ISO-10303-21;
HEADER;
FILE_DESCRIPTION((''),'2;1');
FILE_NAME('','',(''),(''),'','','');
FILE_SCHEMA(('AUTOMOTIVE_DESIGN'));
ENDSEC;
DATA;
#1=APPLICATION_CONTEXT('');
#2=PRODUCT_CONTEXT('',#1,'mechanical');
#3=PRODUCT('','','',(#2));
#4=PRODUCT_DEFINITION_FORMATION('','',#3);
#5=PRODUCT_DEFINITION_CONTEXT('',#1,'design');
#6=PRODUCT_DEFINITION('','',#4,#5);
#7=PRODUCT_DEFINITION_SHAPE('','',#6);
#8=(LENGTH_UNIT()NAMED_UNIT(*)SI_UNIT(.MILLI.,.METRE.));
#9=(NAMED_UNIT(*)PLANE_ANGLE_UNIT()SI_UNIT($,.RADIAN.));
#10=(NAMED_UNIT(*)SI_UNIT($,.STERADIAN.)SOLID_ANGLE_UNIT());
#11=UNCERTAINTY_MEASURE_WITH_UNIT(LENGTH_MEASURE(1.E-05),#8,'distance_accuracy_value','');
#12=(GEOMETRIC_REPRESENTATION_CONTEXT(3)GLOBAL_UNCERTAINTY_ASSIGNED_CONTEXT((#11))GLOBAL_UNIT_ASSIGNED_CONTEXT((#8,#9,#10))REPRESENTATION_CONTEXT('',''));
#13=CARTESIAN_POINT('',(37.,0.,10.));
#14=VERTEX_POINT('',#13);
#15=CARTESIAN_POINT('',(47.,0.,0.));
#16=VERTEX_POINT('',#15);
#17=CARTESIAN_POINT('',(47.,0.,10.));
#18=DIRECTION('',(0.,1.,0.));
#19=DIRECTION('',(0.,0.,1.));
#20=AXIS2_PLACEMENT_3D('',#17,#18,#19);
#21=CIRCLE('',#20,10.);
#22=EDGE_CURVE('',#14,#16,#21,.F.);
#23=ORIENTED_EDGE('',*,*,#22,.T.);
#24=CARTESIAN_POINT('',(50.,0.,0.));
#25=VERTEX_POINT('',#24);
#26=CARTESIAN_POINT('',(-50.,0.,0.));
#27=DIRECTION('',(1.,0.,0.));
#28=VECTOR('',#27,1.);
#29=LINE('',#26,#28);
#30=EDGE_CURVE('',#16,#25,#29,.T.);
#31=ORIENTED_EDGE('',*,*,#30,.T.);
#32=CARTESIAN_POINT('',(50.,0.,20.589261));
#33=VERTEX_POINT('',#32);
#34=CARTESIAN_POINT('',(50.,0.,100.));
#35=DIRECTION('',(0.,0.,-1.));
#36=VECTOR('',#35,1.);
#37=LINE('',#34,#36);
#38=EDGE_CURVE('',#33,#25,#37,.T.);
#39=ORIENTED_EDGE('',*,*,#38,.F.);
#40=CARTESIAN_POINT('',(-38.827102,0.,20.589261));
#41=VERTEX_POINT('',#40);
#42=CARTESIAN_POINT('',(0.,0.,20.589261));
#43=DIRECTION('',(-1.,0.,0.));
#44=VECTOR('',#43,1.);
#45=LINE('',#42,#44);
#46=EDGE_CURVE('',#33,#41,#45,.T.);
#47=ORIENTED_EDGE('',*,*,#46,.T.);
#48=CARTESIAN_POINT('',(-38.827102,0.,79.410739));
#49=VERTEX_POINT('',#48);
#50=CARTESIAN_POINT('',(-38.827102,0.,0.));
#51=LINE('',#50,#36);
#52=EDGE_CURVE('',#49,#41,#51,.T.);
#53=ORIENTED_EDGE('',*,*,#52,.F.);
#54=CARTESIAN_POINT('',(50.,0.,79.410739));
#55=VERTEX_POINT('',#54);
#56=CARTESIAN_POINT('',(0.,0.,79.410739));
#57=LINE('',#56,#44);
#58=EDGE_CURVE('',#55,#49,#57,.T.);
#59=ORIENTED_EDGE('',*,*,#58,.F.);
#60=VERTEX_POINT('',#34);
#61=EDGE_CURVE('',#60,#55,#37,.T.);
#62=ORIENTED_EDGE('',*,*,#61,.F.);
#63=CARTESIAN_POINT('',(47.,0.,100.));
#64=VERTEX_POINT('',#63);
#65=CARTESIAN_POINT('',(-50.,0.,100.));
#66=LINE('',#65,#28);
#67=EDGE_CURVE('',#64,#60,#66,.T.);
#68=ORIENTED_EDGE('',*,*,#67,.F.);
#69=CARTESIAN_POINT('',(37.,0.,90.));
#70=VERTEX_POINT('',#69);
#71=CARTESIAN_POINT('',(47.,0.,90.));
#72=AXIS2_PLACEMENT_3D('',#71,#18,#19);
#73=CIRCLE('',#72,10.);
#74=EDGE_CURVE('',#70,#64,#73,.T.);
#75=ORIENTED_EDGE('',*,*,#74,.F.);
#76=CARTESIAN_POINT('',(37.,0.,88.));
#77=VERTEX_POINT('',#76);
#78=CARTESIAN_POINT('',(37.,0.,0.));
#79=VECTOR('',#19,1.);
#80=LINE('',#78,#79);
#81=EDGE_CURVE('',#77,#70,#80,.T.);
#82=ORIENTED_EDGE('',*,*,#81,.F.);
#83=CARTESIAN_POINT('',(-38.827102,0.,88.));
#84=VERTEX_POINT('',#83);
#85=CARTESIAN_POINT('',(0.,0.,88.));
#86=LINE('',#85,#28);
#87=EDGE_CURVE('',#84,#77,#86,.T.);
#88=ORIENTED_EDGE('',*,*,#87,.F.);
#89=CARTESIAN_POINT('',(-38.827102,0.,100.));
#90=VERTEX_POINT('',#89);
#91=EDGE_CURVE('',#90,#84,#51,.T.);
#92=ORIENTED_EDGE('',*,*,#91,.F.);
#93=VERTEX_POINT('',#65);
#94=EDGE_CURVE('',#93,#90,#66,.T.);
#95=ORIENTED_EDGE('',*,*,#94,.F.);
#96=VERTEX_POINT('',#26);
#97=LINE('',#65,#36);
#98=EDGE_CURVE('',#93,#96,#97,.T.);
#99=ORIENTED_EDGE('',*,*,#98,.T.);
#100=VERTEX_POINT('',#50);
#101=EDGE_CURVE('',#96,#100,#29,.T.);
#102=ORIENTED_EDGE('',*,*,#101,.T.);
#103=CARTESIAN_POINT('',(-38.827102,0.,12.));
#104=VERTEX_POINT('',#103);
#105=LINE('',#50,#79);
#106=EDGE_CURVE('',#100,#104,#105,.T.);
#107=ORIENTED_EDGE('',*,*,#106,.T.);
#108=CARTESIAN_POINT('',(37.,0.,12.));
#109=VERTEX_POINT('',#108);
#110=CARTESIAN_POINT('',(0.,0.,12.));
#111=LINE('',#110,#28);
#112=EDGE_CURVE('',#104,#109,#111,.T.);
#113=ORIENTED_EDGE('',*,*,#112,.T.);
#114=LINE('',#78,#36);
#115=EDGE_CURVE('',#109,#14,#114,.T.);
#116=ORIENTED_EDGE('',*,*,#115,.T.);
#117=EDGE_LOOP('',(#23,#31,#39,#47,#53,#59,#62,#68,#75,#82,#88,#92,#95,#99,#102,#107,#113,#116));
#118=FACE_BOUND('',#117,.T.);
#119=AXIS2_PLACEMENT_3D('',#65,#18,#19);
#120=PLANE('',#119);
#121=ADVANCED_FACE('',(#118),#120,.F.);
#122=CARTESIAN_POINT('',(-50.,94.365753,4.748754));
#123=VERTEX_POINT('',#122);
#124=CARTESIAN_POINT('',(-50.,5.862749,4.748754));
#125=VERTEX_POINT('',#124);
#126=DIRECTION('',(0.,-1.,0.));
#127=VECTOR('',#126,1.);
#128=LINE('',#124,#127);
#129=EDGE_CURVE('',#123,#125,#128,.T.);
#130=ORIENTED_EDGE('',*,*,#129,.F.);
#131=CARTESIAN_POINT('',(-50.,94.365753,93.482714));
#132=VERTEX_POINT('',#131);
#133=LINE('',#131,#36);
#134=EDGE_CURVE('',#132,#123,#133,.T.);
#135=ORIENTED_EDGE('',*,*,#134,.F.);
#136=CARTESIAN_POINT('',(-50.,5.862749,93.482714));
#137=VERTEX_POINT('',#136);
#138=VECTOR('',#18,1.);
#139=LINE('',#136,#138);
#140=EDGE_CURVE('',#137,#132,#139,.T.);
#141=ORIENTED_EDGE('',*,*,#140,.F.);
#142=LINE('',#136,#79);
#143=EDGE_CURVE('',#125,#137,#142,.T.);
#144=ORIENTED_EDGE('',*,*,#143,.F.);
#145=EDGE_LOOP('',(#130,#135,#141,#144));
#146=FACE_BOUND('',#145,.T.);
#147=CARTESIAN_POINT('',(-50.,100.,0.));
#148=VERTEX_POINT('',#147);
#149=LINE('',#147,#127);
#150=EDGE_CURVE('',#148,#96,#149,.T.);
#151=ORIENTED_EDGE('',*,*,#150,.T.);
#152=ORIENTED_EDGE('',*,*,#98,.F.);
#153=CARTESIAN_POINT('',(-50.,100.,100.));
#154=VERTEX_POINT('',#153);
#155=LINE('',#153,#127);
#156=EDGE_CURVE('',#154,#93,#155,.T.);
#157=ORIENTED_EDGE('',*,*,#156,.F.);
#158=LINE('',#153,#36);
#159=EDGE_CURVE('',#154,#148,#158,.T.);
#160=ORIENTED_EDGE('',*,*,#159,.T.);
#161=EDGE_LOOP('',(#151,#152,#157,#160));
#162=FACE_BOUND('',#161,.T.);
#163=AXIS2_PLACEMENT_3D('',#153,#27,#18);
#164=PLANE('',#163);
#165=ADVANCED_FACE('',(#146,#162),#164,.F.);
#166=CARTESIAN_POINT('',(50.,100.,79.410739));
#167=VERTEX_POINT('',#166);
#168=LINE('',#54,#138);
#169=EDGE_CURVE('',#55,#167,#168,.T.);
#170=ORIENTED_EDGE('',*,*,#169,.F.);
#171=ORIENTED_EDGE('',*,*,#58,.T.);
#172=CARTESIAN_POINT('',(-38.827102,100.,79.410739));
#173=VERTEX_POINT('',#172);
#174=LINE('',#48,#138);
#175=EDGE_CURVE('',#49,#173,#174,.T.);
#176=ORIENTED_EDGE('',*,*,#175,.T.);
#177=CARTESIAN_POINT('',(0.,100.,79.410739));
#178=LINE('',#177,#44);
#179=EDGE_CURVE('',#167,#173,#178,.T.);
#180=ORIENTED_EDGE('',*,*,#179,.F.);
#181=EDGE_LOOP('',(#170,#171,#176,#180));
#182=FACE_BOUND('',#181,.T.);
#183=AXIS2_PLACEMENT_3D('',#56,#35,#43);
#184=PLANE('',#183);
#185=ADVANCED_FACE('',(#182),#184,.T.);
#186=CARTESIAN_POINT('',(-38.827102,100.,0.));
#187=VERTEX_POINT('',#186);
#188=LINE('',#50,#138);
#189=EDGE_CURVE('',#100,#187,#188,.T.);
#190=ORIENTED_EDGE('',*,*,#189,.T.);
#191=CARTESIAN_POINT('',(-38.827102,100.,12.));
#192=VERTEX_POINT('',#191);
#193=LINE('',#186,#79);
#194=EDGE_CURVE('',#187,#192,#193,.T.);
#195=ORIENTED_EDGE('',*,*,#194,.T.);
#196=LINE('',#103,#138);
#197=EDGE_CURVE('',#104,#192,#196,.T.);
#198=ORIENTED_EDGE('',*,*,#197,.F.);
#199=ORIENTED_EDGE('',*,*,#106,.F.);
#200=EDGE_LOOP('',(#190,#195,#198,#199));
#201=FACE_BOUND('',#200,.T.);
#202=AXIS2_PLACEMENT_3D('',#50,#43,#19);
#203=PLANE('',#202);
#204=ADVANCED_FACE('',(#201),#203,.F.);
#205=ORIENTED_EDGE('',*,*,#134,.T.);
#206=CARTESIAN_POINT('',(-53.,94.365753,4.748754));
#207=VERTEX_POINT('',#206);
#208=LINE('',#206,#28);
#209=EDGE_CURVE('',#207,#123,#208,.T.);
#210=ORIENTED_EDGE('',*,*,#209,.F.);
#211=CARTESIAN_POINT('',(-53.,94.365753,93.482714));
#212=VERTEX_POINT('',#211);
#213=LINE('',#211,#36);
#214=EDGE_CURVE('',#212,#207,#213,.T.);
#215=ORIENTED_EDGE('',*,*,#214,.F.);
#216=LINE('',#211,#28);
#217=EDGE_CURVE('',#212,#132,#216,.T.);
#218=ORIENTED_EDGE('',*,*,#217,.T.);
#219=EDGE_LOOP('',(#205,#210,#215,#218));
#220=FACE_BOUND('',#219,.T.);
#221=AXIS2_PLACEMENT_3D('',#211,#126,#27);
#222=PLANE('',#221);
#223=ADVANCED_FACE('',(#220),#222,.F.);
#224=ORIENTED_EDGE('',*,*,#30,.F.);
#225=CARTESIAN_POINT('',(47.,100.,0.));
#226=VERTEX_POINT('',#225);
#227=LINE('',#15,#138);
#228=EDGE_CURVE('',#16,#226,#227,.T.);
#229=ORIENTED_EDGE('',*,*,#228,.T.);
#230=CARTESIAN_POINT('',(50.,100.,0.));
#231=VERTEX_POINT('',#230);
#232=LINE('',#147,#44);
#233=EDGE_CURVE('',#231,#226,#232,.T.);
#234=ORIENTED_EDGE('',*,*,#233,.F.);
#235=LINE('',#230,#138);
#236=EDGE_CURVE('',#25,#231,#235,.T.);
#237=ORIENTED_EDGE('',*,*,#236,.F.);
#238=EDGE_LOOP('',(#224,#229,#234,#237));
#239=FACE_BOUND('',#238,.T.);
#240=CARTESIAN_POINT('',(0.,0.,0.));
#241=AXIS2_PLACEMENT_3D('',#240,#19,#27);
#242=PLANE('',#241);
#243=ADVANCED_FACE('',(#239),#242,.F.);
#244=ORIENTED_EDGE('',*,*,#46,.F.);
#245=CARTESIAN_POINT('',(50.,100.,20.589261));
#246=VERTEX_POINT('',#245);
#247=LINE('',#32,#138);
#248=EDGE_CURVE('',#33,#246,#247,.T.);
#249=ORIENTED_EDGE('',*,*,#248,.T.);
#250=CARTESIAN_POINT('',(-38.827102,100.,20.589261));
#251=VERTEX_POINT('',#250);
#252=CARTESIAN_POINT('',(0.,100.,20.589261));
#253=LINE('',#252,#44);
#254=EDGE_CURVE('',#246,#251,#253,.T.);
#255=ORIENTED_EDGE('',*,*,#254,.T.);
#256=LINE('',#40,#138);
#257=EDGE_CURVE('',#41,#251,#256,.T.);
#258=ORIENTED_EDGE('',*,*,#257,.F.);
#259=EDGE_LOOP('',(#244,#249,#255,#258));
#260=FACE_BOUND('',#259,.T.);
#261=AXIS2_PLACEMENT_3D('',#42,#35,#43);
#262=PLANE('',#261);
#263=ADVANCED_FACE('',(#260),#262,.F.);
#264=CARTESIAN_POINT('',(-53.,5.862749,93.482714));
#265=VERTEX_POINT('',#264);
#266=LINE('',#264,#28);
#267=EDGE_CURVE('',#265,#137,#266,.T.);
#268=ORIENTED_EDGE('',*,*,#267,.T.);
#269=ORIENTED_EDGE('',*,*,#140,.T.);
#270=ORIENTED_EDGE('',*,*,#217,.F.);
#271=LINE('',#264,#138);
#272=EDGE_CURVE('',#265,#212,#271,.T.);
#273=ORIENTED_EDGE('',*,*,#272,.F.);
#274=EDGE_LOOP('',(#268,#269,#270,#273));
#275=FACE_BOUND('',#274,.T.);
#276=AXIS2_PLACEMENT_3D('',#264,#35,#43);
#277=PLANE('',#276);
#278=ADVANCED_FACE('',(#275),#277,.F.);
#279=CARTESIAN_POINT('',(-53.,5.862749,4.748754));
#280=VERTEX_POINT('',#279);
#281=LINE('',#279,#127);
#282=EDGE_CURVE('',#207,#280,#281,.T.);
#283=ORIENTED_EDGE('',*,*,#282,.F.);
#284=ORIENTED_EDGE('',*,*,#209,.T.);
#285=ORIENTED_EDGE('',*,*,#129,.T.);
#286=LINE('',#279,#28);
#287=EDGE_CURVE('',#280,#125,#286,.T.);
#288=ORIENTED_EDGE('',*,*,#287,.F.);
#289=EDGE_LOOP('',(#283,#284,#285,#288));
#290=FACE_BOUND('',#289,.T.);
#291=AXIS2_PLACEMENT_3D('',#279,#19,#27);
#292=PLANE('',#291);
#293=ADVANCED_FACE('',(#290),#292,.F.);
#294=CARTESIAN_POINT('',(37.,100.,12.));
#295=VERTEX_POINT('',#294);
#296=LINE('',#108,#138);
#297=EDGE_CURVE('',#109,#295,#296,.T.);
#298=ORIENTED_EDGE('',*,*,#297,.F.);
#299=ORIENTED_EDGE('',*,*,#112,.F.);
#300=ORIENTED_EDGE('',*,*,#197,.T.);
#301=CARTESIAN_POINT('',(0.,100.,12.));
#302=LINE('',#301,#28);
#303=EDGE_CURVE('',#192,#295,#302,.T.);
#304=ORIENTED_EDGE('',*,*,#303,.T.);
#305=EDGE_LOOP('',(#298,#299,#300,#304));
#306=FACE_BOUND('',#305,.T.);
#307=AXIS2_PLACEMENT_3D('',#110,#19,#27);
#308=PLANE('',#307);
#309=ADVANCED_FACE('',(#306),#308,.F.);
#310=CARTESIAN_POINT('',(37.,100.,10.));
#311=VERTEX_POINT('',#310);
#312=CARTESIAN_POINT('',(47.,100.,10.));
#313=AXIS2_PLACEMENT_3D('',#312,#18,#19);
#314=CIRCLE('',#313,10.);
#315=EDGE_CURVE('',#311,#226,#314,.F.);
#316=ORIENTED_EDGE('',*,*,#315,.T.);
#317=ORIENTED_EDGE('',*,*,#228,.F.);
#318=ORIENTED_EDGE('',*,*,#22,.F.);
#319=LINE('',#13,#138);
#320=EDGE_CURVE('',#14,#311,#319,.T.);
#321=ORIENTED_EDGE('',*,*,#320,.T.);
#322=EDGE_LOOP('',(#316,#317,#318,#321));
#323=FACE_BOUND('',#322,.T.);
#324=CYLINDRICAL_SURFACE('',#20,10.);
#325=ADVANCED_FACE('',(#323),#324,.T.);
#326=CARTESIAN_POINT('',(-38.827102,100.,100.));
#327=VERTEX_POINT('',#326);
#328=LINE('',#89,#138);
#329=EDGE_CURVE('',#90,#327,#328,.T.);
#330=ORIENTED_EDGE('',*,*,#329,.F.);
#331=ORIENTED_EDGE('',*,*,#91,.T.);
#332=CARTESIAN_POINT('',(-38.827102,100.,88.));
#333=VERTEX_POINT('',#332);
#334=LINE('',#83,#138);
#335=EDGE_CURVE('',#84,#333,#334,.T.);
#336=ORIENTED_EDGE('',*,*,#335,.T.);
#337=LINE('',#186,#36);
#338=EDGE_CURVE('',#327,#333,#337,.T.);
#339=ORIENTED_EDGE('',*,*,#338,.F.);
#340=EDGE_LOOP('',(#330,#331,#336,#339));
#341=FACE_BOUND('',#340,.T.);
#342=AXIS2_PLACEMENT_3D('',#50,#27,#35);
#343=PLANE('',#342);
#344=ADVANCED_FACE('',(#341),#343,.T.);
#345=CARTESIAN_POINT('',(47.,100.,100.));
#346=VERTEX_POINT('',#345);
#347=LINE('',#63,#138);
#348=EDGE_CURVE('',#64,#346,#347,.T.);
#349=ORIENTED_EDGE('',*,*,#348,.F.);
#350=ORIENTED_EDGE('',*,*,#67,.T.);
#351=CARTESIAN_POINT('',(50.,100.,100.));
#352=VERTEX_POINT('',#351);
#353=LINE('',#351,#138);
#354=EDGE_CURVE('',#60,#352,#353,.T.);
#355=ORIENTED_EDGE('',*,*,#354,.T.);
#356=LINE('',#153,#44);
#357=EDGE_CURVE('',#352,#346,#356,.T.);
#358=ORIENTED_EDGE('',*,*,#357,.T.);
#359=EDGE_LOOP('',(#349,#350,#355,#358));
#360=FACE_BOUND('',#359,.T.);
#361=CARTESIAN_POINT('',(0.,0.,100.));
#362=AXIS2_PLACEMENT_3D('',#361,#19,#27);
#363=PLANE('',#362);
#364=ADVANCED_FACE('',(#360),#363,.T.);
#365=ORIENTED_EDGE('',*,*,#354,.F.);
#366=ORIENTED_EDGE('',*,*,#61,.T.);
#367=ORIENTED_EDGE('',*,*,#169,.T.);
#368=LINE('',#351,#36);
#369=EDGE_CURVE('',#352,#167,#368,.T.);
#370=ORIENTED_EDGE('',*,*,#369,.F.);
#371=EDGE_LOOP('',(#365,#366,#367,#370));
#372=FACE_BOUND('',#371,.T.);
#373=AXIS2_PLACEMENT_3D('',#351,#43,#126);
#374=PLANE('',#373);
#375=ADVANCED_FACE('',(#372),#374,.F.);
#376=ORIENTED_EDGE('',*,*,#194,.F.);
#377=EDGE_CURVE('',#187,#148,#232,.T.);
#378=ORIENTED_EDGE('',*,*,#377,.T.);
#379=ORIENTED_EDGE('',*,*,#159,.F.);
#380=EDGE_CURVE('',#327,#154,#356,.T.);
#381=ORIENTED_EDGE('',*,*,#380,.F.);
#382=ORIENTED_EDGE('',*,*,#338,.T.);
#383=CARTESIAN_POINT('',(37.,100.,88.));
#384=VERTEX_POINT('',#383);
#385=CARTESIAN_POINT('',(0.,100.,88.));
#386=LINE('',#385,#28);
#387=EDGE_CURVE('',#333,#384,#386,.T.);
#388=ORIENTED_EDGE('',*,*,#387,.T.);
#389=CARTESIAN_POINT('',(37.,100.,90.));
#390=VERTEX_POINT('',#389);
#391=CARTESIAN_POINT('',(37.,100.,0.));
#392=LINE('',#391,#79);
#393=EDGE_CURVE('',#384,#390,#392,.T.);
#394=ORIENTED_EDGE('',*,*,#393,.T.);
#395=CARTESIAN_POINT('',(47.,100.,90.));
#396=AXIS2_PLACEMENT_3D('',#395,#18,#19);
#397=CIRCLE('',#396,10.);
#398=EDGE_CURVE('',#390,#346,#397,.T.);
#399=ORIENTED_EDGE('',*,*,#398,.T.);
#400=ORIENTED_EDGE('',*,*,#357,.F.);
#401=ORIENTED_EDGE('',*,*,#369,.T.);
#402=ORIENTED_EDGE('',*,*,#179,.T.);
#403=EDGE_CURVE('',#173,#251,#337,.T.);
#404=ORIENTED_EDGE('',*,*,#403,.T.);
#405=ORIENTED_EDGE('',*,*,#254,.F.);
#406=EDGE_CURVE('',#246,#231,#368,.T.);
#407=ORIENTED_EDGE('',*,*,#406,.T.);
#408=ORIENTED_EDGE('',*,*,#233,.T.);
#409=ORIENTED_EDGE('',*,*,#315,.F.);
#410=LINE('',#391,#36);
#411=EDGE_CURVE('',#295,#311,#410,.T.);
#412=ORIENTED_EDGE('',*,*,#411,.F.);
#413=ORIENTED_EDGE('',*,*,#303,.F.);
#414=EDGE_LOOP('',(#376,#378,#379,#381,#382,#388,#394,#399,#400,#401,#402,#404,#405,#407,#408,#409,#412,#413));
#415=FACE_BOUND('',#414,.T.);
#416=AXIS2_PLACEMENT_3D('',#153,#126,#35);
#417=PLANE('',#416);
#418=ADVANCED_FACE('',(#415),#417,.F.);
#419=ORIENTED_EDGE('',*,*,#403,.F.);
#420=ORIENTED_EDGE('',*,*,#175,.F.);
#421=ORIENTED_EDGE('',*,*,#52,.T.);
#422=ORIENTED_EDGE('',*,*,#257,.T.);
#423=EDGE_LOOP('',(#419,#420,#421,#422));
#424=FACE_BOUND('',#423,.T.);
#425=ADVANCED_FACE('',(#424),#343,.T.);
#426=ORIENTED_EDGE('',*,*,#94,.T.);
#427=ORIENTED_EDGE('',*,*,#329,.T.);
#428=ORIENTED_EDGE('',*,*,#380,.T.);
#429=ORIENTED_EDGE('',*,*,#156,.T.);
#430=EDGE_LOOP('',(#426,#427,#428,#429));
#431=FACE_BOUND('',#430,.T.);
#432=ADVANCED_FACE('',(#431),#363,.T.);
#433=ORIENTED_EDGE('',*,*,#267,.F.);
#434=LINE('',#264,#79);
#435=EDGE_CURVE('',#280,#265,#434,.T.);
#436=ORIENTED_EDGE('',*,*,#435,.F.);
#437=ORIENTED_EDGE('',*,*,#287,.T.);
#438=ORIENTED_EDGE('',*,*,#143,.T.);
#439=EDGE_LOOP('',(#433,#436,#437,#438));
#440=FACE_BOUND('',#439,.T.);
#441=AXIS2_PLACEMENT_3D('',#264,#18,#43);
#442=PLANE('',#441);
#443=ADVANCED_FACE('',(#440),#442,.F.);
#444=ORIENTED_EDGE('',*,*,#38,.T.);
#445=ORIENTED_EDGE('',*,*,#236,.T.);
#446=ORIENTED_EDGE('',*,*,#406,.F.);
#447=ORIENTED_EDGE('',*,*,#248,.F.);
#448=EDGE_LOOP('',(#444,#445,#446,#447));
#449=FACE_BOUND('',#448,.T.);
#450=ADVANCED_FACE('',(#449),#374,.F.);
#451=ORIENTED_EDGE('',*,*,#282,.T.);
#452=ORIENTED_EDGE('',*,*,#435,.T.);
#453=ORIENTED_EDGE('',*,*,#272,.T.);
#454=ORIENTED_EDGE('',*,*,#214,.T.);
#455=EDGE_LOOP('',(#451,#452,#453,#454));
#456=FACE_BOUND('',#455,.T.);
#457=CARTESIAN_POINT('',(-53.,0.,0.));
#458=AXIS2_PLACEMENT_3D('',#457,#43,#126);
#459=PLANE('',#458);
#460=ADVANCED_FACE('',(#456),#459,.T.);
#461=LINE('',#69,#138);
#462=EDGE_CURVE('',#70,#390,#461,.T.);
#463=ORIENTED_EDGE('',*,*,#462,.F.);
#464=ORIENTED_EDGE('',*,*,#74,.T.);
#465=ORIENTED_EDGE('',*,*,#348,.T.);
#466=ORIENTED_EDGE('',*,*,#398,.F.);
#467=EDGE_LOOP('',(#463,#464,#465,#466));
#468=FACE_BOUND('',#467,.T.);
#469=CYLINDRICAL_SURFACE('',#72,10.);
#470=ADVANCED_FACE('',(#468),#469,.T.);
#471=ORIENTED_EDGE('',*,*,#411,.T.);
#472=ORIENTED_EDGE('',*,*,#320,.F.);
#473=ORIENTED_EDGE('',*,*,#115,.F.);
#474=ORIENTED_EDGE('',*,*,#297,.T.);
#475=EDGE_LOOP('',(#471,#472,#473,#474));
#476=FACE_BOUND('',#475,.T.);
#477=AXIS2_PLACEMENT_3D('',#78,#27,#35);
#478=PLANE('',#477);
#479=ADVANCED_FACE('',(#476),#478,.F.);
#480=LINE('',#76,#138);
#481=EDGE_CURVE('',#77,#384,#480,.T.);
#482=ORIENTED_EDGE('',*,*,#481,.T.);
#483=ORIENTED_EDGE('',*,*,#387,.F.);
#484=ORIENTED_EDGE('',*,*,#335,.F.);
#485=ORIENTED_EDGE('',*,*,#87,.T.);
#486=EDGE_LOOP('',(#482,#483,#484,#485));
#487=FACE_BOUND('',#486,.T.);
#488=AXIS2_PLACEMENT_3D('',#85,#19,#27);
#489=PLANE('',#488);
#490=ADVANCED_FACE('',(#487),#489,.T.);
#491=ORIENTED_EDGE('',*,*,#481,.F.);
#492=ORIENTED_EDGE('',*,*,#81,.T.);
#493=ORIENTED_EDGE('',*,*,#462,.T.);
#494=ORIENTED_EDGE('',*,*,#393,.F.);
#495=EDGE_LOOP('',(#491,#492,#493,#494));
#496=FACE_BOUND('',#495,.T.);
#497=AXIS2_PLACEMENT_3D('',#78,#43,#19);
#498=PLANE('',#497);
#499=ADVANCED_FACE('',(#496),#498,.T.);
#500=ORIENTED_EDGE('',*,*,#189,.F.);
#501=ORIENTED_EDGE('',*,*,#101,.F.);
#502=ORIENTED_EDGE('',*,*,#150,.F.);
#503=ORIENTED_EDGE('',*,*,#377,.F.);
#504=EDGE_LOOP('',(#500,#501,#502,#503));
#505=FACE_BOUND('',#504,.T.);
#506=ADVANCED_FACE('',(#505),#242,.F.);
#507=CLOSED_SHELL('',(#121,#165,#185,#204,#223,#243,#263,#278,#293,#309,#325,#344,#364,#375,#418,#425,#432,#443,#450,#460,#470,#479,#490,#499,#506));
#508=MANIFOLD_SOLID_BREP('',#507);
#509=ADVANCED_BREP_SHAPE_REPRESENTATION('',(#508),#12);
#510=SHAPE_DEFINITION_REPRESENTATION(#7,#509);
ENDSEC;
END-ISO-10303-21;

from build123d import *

# Parameters (mm, degrees)
SKETCH2_W           = 100
SKETCH2_H           = 100
BOSS_EXTRUDE2_DEPTH = 100
SKETCH4_W           = 88.827102195
SKETCH4_H           = 58.821478126
CUT_EXTRUDE1_DEPTH  = 100
SKETCH6_W           = 88.733960409
SKETCH6_H           = 88.503004296
BOSS_EXTRUDE3_DEPTH = 3


with BuildPart() as part:
    # Sketch2 → Boss-Extrude2 (new body)
    with BuildSketch(Plane.XY):
        with Locations((0, 50)):
            Rectangle(SKETCH2_W, SKETCH2_H)
    extrude(amount=BOSS_EXTRUDE2_DEPTH)

    # Sketch4 → Cut-Extrude1 (cut)
    with BuildSketch(Plane(origin=(0, 100, 0), x_dir=(1, 0, 0), z_dir=(0, 1, 0))):
        with Locations((5.586448902, -50)):
            Rectangle(SKETCH4_W, SKETCH4_H)
        with BuildLine():
            Line((-38.827102195, -88), (-38.827102195, -100))
            Line((-38.827102195, -100), (47, -100))
            ThreePointArc((47, -100), (39.928932188, -97.071067812), (37, -90))
            Line((37, -90), (37, -88))
            Line((37, -88), (-38.827102195, -88))
        make_face()
        with BuildLine():
            Line((47, 0), (-38.827102195, 0))
            Line((-38.827102195, 0), (-38.827102195, -12))
            Line((-38.827102195, -12), (37, -12))
            Line((37, -12), (37, -10))
            ThreePointArc((37, -10), (39.928932188, -2.928932188), (47, 0))
        make_face()
    extrude(amount=-CUT_EXTRUDE1_DEPTH, mode=Mode.SUBTRACT)

    # Sketch6 → Boss-Extrude3 (add)
    with BuildSketch(Plane.ZY.offset(50)):
        with Locations((49.115734201, 50.114251056)):
            Rectangle(SKETCH6_W, SKETCH6_H)
    extrude(amount=BOSS_EXTRUDE3_DEPTH)


solid = part.part
